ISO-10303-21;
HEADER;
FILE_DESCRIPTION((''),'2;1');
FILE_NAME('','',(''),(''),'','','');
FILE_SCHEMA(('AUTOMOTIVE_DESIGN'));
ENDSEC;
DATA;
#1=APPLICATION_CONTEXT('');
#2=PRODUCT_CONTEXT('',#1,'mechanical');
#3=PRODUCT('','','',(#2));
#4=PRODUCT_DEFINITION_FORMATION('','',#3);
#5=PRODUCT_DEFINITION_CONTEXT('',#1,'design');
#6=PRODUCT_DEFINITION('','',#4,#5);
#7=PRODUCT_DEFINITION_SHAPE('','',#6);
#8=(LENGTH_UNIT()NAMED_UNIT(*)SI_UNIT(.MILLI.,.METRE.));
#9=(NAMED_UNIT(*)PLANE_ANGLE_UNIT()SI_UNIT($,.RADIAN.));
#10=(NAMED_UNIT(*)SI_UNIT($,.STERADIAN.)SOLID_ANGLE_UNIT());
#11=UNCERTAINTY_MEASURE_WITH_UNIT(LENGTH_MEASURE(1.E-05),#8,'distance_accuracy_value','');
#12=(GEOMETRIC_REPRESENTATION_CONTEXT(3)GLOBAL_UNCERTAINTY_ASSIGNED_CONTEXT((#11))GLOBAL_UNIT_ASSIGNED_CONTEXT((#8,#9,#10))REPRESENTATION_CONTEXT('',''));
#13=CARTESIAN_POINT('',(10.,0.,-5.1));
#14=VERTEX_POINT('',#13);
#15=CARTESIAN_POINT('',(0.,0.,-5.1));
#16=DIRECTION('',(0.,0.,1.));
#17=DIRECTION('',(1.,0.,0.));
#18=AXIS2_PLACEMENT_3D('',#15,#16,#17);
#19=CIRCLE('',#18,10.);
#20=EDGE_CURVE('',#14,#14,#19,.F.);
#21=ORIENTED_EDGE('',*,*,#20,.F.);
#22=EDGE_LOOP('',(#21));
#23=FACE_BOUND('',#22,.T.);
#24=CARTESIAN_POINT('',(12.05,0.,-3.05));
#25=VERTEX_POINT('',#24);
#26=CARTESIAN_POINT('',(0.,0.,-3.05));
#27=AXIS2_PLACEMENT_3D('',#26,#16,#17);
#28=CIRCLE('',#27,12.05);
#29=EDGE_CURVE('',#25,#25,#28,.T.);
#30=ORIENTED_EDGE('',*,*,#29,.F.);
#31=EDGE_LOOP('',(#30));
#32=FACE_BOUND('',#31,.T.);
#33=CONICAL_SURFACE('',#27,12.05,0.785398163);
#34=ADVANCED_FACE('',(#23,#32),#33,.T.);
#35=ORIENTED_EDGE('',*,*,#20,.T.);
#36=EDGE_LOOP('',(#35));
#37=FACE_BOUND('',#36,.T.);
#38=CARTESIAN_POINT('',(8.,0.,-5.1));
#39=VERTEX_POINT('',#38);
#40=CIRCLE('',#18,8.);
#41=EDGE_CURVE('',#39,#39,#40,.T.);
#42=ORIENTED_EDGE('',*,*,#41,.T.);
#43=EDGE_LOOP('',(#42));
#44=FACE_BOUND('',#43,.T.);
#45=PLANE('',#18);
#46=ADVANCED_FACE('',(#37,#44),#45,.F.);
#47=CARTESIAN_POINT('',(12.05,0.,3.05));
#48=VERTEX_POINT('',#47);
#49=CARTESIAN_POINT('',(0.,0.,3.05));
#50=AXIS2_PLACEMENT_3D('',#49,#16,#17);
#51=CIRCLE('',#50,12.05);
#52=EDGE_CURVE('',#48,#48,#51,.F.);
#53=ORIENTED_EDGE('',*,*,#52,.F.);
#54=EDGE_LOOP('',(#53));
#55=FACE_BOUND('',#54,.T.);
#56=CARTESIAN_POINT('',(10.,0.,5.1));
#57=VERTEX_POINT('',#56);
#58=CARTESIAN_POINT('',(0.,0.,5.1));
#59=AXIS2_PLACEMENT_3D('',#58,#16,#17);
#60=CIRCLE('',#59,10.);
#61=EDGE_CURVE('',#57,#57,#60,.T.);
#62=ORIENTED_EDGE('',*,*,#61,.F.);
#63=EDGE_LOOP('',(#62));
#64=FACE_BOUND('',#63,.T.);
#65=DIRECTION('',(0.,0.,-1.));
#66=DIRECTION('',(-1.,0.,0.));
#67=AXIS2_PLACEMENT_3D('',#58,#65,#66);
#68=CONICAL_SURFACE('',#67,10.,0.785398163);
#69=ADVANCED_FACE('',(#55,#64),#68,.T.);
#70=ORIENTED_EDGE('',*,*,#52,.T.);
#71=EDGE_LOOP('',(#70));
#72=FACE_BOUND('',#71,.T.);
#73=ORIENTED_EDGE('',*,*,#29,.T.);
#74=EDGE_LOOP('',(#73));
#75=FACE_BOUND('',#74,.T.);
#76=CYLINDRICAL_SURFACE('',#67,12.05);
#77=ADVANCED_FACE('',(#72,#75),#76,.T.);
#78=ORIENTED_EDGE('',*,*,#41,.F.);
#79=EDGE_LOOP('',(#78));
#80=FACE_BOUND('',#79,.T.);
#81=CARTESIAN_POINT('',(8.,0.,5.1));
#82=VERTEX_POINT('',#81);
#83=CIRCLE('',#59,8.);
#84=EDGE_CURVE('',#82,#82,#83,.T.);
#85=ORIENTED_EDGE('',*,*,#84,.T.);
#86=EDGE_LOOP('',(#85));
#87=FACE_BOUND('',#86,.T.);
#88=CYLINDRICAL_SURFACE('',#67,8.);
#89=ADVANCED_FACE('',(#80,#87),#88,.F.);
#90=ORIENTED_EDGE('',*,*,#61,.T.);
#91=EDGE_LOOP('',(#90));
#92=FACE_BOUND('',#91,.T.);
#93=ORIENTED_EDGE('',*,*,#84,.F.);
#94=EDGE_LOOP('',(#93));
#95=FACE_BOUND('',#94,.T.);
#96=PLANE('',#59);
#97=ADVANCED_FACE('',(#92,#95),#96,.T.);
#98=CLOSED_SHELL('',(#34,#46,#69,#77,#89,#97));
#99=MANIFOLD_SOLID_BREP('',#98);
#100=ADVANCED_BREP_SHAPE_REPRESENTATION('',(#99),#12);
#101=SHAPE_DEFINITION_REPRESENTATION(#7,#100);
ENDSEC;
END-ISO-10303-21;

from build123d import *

# Parameters (mm, degrees)
SKETCH1_R           = 12.05
SKETCH1_R_2         = 8
BOSS_EXTRUDE1_DEPTH = 5.1
CHAMFER1_SIZE       = 2.05


with BuildPart() as part:
    # Sketch1 → Boss-Extrude1 (new body, symmetric)
    with BuildSketch(Plane.XY):
        Circle(SKETCH1_R)
        Circle(SKETCH1_R_2, mode=Mode.SUBTRACT)
    extrude(amount=BOSS_EXTRUDE1_DEPTH, both=True)

    # Chamfer1
    chamfer1_edges = [part.edges().sort_by_distance(p)[0] for p in [
        (-12.05, 0, -5.1),
        (-12.05, 0, 5.1),
    ]]
    chamfer(chamfer1_edges, length=CHAMFER1_SIZE)


solid = part.part
